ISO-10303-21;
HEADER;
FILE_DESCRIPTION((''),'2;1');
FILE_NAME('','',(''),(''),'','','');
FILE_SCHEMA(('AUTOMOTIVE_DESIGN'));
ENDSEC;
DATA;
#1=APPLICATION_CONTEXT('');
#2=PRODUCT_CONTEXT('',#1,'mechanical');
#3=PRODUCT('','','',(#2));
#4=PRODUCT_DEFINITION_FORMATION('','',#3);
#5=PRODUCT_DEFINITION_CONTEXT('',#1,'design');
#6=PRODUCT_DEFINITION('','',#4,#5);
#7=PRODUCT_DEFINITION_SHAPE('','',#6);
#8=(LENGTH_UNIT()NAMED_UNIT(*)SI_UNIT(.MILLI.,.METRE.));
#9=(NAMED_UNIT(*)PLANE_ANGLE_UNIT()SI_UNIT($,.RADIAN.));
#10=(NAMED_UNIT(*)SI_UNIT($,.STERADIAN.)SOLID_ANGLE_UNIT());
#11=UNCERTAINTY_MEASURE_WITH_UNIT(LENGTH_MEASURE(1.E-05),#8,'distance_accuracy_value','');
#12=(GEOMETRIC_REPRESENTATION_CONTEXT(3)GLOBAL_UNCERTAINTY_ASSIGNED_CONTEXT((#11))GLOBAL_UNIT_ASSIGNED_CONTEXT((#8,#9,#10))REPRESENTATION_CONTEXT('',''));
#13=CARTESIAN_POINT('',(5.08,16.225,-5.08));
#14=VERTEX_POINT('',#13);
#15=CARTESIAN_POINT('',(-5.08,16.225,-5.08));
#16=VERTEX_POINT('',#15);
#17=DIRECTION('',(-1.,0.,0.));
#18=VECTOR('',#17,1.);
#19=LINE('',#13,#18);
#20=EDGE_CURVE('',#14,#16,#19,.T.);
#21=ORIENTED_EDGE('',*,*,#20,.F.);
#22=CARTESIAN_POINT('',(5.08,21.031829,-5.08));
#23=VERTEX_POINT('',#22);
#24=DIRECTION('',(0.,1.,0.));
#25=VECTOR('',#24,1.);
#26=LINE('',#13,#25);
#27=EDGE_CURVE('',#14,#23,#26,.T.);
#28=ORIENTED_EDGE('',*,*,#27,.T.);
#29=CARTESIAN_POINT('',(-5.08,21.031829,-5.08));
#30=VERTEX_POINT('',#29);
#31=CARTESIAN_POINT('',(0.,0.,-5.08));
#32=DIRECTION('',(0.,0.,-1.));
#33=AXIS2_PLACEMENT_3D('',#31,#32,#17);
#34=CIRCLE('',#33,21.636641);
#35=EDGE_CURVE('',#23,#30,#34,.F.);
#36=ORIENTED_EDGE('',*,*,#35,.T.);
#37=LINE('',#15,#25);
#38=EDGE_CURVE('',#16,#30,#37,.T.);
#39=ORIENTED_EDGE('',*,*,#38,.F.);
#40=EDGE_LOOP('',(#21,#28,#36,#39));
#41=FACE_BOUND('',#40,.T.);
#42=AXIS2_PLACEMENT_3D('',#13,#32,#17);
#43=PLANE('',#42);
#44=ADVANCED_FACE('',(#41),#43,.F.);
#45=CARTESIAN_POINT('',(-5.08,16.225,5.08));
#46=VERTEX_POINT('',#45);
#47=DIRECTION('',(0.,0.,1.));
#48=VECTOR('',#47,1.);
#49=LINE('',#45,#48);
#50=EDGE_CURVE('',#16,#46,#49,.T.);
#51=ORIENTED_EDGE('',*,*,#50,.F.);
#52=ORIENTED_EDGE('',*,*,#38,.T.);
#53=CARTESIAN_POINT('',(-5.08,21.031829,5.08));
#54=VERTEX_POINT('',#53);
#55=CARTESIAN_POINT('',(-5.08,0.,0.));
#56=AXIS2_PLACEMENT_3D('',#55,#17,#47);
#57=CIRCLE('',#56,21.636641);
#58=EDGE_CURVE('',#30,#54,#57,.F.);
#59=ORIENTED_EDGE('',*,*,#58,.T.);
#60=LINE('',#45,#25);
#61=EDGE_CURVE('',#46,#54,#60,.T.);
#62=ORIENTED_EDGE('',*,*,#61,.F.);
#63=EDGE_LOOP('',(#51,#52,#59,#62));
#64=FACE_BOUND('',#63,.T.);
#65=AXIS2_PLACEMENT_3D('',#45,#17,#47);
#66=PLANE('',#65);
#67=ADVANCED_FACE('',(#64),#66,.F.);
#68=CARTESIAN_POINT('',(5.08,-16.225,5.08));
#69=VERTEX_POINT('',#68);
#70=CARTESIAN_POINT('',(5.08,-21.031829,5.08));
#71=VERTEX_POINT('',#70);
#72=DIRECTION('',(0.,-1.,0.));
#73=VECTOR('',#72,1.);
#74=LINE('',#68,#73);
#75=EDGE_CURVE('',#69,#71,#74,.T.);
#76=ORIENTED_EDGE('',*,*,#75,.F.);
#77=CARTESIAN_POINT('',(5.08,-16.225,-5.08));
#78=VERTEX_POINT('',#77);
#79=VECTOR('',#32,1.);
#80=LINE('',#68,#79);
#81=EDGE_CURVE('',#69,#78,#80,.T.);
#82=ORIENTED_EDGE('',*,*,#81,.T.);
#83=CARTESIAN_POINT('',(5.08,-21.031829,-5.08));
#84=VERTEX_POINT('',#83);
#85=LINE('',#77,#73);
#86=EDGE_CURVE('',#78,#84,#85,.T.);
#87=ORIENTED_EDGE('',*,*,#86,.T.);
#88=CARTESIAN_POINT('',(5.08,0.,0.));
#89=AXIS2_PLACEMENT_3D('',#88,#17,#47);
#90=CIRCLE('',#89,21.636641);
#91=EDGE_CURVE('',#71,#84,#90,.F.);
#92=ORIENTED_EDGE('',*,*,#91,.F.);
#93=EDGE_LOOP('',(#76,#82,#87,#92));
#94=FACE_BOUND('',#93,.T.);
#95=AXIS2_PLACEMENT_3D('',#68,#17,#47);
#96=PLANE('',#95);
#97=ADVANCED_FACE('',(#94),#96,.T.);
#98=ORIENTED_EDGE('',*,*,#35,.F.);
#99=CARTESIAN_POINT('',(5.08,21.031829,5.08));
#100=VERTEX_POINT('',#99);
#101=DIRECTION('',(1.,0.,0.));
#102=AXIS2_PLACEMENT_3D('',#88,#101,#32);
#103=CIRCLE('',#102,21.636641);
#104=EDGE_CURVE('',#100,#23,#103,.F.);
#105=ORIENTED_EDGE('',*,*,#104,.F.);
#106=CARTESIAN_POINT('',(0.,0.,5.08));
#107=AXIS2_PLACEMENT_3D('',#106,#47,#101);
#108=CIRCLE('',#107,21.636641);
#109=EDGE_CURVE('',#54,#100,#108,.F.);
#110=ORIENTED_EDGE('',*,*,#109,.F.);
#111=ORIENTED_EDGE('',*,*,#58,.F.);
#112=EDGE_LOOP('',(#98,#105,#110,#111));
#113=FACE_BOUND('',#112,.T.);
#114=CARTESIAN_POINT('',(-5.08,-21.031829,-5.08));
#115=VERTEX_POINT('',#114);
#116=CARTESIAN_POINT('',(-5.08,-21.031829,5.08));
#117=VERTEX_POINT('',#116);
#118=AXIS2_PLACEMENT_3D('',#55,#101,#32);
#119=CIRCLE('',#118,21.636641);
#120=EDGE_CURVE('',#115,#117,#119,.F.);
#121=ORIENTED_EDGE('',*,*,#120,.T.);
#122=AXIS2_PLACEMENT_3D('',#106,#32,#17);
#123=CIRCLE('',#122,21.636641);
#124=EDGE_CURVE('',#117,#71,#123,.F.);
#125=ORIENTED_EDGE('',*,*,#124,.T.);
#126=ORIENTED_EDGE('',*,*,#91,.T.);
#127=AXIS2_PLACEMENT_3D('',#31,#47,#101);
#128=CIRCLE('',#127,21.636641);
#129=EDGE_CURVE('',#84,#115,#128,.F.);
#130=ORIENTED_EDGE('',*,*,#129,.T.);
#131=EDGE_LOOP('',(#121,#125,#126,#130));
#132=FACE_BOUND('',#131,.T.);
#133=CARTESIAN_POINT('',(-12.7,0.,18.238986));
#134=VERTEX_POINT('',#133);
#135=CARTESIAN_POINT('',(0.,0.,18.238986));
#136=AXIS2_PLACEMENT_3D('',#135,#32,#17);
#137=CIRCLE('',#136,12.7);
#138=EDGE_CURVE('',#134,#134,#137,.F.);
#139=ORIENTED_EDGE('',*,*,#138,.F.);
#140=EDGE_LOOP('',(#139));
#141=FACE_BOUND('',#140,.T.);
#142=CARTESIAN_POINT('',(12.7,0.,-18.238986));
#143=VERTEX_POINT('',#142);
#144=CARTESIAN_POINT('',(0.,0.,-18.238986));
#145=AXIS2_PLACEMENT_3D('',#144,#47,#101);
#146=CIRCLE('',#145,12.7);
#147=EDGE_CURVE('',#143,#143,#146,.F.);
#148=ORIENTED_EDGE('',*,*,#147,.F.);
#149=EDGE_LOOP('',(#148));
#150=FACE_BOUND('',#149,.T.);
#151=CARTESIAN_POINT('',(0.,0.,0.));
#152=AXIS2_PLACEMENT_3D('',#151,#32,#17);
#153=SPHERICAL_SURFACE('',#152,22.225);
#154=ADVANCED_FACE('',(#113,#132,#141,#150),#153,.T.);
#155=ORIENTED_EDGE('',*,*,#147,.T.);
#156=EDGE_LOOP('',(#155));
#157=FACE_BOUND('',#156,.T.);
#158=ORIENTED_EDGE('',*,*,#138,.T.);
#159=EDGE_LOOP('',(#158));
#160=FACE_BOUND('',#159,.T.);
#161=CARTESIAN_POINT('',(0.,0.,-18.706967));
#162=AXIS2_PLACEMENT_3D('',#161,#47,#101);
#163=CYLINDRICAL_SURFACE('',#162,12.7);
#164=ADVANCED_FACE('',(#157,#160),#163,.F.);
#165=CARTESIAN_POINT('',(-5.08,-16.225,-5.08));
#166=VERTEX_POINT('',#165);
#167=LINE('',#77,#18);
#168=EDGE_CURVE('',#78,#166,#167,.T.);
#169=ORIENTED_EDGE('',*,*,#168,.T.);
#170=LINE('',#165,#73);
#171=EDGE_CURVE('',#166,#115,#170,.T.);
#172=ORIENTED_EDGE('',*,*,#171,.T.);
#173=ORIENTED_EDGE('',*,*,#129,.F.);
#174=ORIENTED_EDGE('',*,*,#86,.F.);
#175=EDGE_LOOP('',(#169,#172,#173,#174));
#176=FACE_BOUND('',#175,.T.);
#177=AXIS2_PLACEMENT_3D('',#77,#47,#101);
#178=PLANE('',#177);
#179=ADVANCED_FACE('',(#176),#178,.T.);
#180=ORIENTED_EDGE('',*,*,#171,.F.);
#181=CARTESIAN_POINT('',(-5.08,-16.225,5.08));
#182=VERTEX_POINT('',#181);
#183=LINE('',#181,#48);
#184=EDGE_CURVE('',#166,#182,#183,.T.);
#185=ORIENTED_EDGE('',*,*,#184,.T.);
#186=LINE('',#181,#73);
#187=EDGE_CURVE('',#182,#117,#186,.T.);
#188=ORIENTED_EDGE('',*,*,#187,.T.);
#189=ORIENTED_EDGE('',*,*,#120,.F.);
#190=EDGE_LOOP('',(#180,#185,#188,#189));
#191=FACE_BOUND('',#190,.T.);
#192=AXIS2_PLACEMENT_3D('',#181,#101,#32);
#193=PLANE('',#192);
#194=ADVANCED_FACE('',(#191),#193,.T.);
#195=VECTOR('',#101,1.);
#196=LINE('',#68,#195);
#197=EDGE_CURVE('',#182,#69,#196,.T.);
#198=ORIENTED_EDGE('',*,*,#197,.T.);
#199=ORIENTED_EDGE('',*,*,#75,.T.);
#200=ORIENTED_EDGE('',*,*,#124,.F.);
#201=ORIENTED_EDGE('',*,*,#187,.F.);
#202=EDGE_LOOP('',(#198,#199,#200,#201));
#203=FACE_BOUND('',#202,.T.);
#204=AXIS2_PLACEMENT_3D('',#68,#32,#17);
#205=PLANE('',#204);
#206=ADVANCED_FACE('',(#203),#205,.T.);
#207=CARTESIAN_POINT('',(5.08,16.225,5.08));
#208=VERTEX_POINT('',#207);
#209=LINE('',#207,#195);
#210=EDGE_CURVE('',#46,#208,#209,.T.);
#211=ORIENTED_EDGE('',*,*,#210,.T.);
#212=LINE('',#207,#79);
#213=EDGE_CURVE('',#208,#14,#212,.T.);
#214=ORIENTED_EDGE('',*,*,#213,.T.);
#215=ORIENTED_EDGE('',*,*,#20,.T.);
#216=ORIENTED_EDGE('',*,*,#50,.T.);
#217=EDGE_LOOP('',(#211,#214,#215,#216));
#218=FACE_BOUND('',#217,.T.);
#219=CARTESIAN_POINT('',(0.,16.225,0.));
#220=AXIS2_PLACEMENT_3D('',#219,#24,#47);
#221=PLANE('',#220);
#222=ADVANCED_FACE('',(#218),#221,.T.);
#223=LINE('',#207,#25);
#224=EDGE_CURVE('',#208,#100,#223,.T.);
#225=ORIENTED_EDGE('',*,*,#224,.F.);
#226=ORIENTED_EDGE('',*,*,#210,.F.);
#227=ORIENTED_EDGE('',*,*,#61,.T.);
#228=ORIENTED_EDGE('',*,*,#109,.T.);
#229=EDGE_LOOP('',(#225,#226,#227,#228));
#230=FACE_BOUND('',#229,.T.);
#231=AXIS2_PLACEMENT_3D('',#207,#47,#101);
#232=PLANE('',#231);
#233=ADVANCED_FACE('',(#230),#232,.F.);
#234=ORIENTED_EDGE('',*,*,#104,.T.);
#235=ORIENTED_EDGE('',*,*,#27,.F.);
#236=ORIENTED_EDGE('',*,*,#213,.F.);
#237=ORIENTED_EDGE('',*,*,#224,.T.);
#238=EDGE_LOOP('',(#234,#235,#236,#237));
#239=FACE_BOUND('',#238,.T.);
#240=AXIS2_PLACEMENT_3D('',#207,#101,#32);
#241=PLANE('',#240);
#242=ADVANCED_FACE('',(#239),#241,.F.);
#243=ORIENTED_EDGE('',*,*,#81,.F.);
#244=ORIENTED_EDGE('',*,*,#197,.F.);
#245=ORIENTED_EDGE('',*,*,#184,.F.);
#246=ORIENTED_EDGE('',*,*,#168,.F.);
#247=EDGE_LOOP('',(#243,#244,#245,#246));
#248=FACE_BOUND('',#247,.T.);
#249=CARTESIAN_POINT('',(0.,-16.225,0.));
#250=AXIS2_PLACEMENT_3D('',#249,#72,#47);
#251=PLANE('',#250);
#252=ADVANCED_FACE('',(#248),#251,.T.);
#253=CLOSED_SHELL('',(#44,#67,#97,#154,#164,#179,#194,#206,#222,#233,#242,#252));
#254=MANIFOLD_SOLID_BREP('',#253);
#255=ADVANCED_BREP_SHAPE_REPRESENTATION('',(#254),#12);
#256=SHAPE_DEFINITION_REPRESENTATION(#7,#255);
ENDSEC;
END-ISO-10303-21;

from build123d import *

# Parameters (mm, degrees)
SKETCH5_R          = 12.7
CUT_EXTRUDE2_DEPTH = 49.864135621
SKETCH6_W          = 10.16
SKETCH6_H          = 10.16
CUT_EXTRUDE3_DEPTH = 6


with BuildPart() as part:
    # Sketch4 → Revolve4 (revolve)
    with BuildSketch(Plane(origin=(0, 0, 0), x_dir=(1, 0, 0), z_dir=(0, 1, 0))):
        with BuildLine():
            Line((-12, 18.706967285), (0, 18.706967285))
            Line((0, 18.706967285), (0, -18.706967285))
            Line((0, -18.706967285), (-12, -18.706967285))
            ThreePointArc((-12, -18.706967285), (-22.225, 0), (-12, 18.706967285))
        make_face()
    revolve(axis=Axis((0, 0, -17.487077089), (0, 0, 1)))

    # Sketch5 → Cut-Extrude2 (cut, through all)
    with BuildSketch(Plane.XY.offset(18.706967285)):
        with Locations(Location((0, 0, 0), (0, 0, 180))):
            Circle(SKETCH5_R)
    extrude(amount=-CUT_EXTRUDE2_DEPTH, mode=Mode.SUBTRACT)

    # Sketch6 → Cut-Extrude3 (cut)
    with BuildSketch(Plane(origin=(0, 22.225, 0), x_dir=(1, 0, 0), z_dir=(0, 1, 0))):
        Rectangle(SKETCH6_W, SKETCH6_H)
    cut_extrude3 = extrude(amount=-CUT_EXTRUDE3_DEPTH, mode=Mode.SUBTRACT)

    # Mirror1: Cut-Extrude3 across plane
    add(cut_extrude3.mirror(Plane.ZX), mode=Mode.SUBTRACT)


solid = part.part
